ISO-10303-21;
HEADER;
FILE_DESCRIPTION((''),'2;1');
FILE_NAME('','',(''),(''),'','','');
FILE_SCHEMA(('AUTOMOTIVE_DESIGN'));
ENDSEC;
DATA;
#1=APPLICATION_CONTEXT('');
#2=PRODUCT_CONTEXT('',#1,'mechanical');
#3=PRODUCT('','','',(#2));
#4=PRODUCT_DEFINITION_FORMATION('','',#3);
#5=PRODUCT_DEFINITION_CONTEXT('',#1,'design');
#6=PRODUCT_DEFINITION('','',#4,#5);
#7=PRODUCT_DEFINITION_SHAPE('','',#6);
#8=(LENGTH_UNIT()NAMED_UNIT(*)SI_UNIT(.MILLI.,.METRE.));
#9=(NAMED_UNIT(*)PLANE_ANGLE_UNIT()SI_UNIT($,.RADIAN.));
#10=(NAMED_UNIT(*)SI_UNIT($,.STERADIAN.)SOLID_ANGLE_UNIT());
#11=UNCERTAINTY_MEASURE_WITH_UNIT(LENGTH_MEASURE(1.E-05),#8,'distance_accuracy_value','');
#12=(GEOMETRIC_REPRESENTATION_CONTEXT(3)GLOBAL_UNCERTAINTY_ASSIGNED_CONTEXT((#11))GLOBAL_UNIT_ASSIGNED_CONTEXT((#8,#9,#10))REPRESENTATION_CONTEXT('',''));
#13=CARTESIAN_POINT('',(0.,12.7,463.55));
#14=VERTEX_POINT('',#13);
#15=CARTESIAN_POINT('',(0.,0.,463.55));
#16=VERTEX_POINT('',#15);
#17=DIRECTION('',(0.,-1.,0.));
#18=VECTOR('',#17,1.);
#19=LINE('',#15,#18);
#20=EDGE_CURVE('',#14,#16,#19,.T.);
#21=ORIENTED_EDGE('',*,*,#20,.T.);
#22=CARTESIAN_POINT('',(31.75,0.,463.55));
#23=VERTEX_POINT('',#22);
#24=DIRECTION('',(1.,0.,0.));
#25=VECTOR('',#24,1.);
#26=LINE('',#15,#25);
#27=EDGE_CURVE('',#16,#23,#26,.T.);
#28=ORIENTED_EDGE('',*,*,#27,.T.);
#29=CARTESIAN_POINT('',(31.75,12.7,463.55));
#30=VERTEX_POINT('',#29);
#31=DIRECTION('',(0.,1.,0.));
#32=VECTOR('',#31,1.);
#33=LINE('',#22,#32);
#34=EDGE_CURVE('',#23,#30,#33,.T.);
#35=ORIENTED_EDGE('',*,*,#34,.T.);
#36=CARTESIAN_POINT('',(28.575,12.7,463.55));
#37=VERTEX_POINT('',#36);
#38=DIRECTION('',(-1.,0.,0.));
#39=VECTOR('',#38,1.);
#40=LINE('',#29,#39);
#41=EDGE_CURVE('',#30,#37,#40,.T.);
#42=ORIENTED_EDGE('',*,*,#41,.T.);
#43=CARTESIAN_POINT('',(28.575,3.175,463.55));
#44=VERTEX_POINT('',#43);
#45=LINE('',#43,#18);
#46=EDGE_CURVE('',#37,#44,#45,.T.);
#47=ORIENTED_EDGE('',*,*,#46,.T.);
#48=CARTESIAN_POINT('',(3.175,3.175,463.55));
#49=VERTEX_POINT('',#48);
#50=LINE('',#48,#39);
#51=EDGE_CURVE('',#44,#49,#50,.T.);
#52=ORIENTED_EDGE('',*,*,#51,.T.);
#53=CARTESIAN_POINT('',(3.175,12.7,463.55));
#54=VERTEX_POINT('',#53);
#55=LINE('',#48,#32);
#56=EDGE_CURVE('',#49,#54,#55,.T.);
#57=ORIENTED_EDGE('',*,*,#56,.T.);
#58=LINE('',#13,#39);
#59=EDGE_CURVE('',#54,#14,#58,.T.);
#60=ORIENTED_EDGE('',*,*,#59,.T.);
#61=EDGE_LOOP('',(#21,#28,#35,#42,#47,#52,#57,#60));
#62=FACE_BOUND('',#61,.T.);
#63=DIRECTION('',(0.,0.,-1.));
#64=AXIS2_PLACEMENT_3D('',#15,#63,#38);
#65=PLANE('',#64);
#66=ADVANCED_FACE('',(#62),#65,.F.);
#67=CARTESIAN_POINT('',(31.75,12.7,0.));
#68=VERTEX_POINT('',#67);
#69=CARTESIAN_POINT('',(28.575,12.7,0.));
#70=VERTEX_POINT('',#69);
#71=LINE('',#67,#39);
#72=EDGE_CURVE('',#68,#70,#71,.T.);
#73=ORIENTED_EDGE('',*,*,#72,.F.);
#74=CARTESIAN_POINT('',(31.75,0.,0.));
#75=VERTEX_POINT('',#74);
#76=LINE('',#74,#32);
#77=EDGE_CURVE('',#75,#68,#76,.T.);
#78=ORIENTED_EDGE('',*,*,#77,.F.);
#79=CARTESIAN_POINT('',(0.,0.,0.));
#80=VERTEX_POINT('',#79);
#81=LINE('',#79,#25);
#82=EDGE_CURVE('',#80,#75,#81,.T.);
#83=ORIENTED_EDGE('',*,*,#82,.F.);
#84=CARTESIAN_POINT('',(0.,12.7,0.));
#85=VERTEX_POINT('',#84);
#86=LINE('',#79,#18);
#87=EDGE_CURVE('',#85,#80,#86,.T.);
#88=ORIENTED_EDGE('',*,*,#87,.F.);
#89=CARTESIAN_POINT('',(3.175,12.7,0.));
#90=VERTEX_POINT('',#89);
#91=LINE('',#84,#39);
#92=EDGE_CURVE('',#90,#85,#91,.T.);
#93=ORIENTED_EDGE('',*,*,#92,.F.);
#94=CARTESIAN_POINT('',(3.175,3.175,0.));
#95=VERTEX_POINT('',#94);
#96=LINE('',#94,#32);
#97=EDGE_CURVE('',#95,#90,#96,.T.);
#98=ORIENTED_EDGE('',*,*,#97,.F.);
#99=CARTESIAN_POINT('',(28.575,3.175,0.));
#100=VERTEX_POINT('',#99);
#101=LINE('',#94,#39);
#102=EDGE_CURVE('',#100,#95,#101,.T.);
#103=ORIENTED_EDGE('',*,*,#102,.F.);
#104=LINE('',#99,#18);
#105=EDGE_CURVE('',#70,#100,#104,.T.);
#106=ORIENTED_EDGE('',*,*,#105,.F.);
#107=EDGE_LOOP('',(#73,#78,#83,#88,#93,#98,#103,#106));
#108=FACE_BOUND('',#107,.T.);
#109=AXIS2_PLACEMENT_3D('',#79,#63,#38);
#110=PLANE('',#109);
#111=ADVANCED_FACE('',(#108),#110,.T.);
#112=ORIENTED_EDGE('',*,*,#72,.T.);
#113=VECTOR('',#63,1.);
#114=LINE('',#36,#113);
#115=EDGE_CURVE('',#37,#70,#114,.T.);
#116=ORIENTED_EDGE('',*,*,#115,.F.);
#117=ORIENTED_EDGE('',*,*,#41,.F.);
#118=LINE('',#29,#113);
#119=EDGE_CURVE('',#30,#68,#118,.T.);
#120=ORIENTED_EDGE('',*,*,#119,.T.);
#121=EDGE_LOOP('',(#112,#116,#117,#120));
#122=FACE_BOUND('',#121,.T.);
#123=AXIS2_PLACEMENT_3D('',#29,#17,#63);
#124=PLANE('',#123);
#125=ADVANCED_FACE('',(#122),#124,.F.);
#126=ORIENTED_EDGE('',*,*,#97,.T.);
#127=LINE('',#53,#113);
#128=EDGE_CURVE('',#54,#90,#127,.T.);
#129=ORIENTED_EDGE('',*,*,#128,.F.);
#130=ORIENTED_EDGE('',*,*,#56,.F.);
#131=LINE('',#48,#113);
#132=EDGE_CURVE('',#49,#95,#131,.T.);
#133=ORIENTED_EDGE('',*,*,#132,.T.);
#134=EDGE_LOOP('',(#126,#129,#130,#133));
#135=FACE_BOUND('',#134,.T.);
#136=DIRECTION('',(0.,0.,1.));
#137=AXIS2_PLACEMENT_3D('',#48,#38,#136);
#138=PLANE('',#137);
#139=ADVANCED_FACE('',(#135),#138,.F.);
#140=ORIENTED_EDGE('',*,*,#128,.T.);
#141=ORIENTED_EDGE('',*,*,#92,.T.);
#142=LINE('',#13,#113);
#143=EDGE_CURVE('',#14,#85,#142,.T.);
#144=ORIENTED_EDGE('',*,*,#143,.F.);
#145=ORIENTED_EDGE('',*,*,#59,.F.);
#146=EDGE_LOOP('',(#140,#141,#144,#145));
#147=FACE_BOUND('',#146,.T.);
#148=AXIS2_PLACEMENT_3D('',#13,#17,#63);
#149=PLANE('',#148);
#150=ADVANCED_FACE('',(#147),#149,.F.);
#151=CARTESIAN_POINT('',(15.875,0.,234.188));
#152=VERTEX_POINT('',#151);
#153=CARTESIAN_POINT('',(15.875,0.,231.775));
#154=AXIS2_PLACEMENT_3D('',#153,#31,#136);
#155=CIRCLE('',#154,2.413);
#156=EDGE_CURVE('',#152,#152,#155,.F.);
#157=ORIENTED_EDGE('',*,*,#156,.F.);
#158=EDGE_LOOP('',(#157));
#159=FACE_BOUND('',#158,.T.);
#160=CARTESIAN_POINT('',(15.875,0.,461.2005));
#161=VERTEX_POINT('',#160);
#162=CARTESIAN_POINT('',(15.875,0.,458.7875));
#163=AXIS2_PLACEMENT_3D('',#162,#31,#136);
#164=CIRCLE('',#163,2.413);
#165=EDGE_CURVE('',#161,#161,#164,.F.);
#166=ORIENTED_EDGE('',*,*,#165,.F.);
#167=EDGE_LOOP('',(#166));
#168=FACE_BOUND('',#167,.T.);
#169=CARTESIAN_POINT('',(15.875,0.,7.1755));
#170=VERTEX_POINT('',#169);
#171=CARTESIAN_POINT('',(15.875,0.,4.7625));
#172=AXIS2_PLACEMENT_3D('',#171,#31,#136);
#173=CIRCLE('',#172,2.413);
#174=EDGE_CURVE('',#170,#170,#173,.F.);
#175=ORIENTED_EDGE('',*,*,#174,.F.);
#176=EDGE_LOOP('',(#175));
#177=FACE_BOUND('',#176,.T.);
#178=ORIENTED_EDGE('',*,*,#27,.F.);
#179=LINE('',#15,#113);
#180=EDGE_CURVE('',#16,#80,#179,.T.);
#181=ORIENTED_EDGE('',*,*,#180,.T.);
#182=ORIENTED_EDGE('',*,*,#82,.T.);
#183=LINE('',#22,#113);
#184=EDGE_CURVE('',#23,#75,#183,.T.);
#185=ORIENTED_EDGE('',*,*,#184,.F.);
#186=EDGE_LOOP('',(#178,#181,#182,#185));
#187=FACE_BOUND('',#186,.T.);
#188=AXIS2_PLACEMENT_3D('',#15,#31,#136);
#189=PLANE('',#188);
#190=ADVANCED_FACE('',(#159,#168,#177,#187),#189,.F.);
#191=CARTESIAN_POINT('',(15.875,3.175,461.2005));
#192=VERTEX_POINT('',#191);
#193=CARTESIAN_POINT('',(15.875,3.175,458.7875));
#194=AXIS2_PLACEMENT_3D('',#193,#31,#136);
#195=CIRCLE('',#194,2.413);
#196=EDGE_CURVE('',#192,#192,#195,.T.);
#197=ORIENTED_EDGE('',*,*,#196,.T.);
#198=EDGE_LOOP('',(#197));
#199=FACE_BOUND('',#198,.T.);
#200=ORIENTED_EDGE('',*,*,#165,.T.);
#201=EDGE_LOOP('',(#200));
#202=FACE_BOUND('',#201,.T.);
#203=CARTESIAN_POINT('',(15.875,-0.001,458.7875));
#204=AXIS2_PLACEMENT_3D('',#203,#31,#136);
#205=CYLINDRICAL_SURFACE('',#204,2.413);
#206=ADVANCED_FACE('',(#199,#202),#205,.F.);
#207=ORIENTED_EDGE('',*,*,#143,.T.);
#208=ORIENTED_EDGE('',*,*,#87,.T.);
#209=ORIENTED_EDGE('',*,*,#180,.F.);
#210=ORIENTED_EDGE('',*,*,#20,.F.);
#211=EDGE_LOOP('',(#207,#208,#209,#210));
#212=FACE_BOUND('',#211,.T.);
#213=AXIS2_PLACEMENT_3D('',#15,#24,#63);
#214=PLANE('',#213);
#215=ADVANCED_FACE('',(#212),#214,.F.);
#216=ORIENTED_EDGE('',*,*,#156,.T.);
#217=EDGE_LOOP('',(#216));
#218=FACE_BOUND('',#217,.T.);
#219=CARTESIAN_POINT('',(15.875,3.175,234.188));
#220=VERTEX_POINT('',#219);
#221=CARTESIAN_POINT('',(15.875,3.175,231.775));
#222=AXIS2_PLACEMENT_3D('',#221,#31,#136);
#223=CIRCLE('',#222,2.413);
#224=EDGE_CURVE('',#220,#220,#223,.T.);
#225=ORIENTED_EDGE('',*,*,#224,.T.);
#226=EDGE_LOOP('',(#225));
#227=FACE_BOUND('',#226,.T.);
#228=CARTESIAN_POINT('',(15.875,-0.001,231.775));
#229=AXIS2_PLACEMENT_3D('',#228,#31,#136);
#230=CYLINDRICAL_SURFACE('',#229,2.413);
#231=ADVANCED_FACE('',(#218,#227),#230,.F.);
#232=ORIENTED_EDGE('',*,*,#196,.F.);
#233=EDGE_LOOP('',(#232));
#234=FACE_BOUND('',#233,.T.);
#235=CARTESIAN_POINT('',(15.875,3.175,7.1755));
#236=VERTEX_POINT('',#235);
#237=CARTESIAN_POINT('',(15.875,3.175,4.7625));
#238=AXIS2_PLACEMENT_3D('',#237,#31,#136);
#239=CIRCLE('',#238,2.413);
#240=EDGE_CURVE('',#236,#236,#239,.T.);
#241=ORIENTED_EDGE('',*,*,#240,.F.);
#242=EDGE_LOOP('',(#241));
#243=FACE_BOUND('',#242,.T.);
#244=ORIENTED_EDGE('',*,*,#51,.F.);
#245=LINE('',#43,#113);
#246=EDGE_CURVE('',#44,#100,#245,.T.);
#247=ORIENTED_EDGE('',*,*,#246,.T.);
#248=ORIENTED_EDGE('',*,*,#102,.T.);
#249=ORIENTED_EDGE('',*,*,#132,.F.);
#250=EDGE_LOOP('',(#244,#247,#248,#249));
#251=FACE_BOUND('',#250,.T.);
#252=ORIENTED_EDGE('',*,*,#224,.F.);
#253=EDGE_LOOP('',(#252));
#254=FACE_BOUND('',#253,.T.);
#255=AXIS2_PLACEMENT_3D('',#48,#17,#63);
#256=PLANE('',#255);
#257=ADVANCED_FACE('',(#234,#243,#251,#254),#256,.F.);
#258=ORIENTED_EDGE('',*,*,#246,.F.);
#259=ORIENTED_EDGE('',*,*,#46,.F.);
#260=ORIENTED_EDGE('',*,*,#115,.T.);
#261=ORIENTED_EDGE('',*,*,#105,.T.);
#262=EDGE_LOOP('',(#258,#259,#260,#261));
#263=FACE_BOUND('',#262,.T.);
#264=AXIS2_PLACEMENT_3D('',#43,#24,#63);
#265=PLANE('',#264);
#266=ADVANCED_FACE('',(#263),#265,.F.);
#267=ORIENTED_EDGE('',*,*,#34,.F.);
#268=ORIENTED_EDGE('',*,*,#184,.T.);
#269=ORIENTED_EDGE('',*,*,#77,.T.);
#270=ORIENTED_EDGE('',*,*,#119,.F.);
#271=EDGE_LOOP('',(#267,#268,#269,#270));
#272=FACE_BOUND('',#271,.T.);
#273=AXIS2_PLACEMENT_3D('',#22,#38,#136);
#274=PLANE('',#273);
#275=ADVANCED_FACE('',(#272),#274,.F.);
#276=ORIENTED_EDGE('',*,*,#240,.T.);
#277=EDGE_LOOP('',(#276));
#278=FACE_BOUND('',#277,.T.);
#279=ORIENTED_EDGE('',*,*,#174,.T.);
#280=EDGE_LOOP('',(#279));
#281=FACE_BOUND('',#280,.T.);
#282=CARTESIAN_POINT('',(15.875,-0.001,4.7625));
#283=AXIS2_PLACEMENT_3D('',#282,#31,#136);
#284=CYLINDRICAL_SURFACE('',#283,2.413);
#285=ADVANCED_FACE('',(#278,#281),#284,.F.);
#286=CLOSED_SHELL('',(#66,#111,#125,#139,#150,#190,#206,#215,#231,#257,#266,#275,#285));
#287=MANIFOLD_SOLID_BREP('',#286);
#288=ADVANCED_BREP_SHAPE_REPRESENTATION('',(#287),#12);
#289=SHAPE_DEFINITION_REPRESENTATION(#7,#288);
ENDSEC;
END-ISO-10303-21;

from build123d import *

# Parameters (mm, degrees)
BOSS_EXTRUDE1_DEPTH = 463.55
CUT_EXTRUDE1_REACH  = 466.734
SKETCH2_R           = 2.413
CUT_EXTRUDE2_REACH  = 466.734
SKETCH3_R           = 2.413


with BuildPart() as part:
    # Sketch1 → Boss-Extrude1 (new body)
    with BuildSketch(Plane.XY):
        Polygon((3.175, 3.175), (3.175, 12.7), (0, 12.7), (0, 0), (31.75, 0), (31.75, 12.7), (28.575, 12.7), (28.575, 3.175), align=None)
    extrude(amount=BOSS_EXTRUDE1_DEPTH)

    # Sketch2 → Cut-Extrude1 (cut, up to next)
    with BuildSketch(Plane(origin=(0, 3.175, 0), x_dir=(1, 0, 0), z_dir=(0, 1, 0)), mode=Mode.PRIVATE) as cut_extrude1_sk1:
        with Locations(Location((15.875, -458.7875, 0), (0, 0, 270))):
            Circle(SKETCH2_R)
    cut_extrude1_tool1 = extrude(cut_extrude1_sk1.sketch, amount=-CUT_EXTRUDE1_REACH, mode=Mode.PRIVATE) & part.part
    # Sketch2 → Cut-Extrude1 (cut, up to next)
    with BuildSketch(Plane(origin=(0, 3.175, 0), x_dir=(1, 0, 0), z_dir=(0, 1, 0)), mode=Mode.PRIVATE) as cut_extrude1_sk2:
        with Locations(Location((15.875, -4.7625, 0), (0, 0, 270))):
            Circle(SKETCH2_R)
    cut_extrude1_tool2 = extrude(cut_extrude1_sk2.sketch, amount=-CUT_EXTRUDE1_REACH, mode=Mode.PRIVATE) & part.part
    add(cut_extrude1_tool1.solids().sort_by_distance((15.875, 3.175, 458.7875))[0], mode=Mode.SUBTRACT)
    add(cut_extrude1_tool2.solids().sort_by_distance((15.875, 3.175, 4.7625))[0], mode=Mode.SUBTRACT)

    # Sketch3 → Cut-Extrude2 (cut, up to next)
    with BuildSketch(Plane(origin=(0, 3.175, 0), x_dir=(1, 0, 0), z_dir=(0, 1, 0)), mode=Mode.PRIVATE) as cut_extrude2_sk1:
        with Locations(Location((15.875, -231.775, 0), (0, 0, 270))):
            Circle(SKETCH3_R)
    cut_extrude2_tool1 = extrude(cut_extrude2_sk1.sketch, amount=-CUT_EXTRUDE2_REACH, mode=Mode.PRIVATE) & part.part
    add(cut_extrude2_tool1.solids().sort_by_distance((15.875, 3.175, 231.775))[0], mode=Mode.SUBTRACT)


solid = part.part
